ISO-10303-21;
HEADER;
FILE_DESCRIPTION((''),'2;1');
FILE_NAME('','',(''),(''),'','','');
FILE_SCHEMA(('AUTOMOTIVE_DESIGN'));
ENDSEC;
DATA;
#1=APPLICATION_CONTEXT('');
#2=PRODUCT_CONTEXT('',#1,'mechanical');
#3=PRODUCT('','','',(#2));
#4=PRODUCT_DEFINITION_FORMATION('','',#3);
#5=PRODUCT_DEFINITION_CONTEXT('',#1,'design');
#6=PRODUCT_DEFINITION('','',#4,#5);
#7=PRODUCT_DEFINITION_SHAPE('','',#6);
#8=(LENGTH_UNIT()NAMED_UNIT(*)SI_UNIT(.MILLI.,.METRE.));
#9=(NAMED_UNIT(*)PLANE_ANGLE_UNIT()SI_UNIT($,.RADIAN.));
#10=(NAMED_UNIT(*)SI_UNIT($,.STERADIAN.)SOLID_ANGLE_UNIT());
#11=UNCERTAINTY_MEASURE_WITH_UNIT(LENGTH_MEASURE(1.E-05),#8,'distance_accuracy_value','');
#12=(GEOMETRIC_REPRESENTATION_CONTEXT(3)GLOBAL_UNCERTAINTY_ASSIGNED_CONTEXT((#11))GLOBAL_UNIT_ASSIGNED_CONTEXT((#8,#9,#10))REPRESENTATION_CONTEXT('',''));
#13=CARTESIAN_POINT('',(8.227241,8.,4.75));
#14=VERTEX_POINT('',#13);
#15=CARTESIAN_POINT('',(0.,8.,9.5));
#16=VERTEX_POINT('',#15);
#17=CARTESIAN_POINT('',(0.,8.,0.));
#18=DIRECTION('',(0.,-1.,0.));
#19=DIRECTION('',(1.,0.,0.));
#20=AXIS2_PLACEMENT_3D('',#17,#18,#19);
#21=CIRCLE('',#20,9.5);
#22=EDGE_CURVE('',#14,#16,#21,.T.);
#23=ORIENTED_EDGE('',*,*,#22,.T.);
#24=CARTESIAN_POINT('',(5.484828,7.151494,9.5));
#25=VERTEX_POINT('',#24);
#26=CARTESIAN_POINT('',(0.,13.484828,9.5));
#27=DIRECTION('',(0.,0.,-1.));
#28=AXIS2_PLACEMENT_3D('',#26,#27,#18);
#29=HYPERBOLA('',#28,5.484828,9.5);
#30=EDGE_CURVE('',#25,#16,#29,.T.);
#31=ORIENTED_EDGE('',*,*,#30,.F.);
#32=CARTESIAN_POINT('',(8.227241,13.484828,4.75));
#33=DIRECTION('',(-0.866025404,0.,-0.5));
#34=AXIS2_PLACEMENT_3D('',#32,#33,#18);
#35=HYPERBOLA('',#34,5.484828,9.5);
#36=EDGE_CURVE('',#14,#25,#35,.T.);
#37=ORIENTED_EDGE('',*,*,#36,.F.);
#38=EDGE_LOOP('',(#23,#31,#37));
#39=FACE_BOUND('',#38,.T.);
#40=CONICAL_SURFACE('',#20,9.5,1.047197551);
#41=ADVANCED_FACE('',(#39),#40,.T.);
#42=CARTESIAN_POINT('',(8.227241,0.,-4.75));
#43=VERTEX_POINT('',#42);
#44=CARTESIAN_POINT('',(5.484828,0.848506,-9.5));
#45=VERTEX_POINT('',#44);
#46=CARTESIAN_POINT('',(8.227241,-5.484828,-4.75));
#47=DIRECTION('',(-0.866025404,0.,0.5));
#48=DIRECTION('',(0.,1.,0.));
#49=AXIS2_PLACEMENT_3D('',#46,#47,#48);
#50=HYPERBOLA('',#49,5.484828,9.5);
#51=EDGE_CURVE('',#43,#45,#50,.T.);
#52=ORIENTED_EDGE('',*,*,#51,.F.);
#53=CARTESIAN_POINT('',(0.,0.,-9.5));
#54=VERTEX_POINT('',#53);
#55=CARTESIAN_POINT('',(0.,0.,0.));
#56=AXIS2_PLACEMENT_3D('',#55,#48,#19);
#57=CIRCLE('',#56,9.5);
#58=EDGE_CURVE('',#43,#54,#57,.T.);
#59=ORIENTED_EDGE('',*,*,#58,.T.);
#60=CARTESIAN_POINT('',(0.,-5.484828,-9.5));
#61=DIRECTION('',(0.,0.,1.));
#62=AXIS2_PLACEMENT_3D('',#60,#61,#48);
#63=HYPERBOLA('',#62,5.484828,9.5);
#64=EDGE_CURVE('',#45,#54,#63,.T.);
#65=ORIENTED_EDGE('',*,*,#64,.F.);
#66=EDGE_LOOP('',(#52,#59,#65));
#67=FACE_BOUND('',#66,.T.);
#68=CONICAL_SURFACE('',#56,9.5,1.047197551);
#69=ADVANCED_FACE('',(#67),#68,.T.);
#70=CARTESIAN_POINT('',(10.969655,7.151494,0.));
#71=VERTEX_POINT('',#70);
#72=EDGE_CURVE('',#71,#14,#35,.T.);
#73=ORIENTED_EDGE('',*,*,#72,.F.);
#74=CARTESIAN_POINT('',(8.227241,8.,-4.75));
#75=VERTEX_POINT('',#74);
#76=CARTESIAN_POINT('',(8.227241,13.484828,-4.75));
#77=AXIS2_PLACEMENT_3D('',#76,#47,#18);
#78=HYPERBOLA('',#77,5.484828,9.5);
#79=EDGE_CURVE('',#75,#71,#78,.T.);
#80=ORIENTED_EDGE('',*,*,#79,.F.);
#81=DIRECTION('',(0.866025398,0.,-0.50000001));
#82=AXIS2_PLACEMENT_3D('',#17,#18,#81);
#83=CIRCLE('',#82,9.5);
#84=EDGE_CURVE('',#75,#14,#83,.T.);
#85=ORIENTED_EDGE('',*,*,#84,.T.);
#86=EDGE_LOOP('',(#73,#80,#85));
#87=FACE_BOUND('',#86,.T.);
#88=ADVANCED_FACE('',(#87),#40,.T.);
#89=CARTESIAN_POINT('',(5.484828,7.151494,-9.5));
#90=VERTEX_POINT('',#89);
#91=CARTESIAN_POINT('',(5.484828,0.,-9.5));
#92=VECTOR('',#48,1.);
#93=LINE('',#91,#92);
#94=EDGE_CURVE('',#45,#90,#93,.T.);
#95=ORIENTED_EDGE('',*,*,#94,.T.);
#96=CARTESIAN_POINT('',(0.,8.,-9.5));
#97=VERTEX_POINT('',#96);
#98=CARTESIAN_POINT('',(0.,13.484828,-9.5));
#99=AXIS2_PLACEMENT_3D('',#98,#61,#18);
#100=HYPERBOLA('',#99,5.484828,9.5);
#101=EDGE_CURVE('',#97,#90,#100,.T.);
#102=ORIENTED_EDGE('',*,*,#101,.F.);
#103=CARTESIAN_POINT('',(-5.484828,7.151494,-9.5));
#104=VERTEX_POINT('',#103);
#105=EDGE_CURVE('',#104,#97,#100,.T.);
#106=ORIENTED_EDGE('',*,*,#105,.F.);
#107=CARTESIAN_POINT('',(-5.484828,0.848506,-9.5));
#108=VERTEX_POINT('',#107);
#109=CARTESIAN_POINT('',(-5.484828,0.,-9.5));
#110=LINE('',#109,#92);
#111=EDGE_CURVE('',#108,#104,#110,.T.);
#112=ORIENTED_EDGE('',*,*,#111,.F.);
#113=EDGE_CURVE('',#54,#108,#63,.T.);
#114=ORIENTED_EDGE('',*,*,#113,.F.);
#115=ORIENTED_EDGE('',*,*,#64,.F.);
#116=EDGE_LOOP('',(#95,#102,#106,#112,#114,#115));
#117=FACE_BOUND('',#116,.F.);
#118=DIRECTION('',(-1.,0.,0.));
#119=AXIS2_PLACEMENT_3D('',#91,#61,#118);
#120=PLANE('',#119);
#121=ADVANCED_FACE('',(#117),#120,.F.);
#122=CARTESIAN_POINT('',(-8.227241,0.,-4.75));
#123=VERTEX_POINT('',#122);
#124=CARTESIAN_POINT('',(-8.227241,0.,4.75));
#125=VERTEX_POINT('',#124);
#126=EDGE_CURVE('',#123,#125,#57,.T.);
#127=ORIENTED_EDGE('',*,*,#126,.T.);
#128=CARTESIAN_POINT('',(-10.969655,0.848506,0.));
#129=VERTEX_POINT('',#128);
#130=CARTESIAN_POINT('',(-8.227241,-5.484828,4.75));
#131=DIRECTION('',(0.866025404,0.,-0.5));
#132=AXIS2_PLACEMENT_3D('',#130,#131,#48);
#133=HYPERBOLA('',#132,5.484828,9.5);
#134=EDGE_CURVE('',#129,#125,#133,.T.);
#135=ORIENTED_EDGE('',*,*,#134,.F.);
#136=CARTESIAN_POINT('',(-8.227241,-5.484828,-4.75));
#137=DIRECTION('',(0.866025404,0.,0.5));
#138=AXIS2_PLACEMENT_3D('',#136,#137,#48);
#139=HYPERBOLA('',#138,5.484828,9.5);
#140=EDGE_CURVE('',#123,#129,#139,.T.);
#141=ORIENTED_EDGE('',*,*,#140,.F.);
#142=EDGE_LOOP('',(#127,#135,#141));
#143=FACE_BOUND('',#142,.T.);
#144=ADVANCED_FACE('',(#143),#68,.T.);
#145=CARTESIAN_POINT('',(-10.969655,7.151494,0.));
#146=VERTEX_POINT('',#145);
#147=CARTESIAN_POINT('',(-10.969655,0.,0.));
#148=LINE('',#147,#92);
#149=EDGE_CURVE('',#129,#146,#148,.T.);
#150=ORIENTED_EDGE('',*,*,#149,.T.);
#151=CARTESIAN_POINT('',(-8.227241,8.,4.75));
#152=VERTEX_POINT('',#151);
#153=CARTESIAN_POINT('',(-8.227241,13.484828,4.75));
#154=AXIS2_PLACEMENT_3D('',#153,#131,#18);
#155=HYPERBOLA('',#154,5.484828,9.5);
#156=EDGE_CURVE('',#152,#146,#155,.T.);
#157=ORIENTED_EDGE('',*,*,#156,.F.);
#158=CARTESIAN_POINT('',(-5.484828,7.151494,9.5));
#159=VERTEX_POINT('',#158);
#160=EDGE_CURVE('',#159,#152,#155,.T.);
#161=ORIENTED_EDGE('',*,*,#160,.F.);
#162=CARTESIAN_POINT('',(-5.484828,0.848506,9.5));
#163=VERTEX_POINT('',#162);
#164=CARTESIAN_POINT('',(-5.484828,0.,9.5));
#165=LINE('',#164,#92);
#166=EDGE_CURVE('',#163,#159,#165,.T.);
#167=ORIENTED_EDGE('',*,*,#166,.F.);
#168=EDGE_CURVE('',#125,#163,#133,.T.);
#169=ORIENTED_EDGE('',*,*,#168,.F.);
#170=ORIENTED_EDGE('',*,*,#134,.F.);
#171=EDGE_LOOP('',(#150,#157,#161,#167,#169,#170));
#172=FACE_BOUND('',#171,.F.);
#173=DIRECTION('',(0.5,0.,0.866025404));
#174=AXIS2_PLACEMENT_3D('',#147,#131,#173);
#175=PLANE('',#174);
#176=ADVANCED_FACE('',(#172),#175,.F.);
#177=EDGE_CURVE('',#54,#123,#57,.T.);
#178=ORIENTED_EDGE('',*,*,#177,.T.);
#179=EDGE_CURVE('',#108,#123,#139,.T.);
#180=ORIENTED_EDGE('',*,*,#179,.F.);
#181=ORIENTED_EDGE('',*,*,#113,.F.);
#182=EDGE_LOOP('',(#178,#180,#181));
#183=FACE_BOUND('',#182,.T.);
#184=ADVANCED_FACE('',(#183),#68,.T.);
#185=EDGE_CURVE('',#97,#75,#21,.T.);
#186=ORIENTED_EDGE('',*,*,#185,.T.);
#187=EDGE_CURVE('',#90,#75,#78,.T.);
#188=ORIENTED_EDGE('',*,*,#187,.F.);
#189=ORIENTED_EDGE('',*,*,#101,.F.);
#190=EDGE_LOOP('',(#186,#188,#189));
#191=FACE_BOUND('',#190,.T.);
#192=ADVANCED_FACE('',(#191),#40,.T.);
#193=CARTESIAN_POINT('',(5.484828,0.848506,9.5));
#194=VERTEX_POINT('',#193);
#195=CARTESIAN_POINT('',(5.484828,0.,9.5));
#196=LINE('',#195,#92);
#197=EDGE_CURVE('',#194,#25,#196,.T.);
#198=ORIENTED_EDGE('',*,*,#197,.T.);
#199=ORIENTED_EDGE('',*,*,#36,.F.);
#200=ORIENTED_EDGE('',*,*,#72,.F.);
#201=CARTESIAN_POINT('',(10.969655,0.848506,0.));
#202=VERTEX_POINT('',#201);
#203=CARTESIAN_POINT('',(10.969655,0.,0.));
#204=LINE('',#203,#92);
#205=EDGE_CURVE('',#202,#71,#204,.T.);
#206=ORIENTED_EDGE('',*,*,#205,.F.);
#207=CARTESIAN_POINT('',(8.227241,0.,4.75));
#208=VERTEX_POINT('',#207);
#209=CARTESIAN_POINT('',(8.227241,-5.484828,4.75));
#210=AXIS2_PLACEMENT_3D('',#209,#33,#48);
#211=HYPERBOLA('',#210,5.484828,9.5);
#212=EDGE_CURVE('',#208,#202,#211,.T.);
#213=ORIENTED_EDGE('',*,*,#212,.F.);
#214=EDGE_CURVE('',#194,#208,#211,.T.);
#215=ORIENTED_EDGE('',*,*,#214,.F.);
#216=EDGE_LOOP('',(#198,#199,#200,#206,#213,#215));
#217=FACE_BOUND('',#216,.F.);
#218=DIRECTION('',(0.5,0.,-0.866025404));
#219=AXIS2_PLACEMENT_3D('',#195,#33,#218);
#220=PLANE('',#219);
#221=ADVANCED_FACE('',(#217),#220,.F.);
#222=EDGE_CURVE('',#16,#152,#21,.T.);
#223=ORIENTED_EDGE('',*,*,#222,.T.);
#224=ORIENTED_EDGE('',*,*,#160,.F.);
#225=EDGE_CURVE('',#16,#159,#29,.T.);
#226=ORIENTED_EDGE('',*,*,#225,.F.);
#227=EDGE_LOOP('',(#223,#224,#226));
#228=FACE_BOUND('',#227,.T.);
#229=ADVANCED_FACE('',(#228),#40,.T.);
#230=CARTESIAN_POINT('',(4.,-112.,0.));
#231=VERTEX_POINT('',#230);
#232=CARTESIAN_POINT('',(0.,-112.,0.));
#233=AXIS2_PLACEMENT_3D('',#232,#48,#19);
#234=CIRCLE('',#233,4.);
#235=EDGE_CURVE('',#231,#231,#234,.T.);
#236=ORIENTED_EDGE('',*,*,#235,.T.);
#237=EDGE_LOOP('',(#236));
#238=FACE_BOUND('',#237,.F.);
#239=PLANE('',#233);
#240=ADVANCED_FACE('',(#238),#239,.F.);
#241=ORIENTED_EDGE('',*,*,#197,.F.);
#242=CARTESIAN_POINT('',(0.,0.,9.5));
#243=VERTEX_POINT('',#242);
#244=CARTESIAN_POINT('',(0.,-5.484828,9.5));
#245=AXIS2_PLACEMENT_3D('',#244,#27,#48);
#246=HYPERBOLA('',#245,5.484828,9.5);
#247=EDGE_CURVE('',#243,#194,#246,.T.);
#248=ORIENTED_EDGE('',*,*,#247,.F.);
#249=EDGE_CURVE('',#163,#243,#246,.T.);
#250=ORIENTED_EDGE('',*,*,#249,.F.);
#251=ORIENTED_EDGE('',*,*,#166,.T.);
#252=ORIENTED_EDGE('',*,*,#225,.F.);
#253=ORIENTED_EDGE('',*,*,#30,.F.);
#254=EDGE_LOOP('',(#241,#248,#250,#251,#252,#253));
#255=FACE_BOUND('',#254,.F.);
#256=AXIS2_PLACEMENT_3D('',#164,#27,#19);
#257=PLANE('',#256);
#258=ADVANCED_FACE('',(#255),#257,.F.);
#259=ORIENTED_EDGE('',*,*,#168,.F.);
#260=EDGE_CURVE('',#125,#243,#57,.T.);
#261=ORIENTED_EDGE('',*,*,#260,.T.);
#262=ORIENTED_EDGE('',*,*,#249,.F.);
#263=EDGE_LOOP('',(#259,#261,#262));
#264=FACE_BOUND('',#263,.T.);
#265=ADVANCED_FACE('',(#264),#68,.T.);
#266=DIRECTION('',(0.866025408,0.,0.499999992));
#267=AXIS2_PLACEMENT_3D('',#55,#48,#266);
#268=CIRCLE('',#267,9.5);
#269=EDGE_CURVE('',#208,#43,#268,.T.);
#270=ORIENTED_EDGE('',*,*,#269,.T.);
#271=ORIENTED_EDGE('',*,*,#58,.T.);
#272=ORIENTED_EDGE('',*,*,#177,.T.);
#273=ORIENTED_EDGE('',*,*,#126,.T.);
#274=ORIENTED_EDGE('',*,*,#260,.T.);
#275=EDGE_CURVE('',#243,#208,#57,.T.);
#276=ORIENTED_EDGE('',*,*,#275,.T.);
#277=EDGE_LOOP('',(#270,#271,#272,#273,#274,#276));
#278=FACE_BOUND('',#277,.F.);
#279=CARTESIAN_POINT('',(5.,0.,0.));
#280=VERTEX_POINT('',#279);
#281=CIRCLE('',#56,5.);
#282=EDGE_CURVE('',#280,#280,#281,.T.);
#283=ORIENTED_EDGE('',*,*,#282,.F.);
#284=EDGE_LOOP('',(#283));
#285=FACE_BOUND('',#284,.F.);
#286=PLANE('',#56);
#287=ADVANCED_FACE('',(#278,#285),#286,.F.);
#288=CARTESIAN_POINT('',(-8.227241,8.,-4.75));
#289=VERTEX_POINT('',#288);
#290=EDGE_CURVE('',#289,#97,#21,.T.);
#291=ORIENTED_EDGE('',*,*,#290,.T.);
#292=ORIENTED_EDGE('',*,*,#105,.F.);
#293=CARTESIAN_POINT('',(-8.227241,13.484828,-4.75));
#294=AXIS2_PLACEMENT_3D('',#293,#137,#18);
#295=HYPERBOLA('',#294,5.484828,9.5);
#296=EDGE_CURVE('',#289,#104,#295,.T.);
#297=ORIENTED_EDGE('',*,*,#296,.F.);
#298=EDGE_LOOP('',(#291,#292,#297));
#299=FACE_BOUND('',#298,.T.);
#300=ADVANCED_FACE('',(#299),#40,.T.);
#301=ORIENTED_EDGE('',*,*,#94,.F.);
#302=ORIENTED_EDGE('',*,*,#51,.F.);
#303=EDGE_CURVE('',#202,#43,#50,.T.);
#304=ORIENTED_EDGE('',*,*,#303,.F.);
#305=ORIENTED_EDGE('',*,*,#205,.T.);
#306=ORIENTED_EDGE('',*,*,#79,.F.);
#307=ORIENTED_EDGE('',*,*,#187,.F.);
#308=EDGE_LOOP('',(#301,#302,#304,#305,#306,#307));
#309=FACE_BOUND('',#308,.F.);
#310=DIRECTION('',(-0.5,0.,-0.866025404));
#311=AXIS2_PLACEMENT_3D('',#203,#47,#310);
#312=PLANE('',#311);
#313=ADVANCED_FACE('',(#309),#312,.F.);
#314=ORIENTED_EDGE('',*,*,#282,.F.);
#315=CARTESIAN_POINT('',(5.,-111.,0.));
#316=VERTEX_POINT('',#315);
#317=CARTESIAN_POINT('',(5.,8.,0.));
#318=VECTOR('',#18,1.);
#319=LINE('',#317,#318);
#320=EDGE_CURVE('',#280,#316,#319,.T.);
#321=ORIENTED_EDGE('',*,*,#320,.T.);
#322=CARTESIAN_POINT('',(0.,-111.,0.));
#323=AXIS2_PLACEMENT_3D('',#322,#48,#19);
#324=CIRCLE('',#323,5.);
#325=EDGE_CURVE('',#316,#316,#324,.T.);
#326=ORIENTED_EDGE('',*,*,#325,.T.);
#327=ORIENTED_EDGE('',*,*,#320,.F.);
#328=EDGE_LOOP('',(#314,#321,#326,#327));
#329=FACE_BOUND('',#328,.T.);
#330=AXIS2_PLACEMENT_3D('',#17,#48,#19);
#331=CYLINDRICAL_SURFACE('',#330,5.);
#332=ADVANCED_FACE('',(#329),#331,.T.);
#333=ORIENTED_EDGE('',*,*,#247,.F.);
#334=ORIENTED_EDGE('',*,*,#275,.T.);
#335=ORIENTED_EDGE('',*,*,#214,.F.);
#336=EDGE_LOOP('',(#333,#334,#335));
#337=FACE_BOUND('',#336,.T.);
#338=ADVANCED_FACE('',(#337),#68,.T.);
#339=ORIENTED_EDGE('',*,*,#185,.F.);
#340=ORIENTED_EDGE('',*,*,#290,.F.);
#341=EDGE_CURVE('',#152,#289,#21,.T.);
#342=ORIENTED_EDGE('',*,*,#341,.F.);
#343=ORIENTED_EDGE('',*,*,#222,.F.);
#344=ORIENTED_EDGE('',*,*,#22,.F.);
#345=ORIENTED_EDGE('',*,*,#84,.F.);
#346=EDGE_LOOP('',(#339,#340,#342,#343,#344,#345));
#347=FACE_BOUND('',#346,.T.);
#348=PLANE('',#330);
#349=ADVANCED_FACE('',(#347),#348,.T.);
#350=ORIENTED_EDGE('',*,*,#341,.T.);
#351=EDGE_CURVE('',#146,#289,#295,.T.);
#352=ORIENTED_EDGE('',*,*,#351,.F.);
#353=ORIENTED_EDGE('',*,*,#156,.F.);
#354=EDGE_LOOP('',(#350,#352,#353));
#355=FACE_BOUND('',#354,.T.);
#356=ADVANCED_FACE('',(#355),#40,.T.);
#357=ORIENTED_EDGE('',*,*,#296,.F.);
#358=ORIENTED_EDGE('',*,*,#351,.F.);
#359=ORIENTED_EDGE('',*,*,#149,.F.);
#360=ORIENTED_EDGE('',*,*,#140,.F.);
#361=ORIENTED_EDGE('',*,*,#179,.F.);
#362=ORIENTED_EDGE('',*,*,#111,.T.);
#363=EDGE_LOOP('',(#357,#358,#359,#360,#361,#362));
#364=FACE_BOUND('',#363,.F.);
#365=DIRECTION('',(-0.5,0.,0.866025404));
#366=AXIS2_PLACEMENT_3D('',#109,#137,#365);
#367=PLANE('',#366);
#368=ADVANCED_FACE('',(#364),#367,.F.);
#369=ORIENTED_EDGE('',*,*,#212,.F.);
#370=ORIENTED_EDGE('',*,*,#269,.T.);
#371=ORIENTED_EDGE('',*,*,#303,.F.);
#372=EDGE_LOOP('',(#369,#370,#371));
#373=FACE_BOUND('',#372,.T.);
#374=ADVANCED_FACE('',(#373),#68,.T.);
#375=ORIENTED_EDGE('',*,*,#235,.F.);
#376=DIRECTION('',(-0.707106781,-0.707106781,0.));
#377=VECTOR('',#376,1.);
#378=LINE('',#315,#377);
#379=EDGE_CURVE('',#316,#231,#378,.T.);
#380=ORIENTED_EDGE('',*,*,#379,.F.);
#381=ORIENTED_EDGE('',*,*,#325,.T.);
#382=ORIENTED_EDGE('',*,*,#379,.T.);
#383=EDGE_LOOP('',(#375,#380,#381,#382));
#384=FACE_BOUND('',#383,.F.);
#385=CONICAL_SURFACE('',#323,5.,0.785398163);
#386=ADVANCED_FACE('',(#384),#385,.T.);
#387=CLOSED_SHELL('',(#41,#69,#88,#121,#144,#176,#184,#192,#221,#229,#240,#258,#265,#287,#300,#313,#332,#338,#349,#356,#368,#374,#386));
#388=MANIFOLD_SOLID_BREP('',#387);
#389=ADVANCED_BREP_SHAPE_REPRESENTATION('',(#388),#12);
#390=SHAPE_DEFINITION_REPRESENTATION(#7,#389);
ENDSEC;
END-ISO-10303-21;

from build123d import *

# Parameters (mm, degrees)
SALIENTE_EXTRUIR1_DEPTH = 8
CROQUIS2_R              = 4.25
CORTAR_EXTRUIR1_DEPTH   = 9
CROQUIS3_OUTSIDE_W      = 57.674
CROQUIS3_OUTSIDE_H      = 54.734
CROQUIS3_OUTSIDE_R      = 9.5
CORTAR_EXTRUIR2_DEPTH   = 8
CORTAR_EXTRUIR2_TAPER   = 60
CROQUIS4_OUTSIDE_W      = 57.674
CROQUIS4_OUTSIDE_H      = 54.734
CROQUIS4_OUTSIDE_R      = 9.5
CORTAR_EXTRUIR3_DEPTH   = 8
CORTAR_EXTRUIR3_TAPER   = 60
CROQUIS5_R              = 5
SALIENTE_EXTRUIR3_DEPTH = 120
CHAFL_N2_SIZE           = 1


with BuildPart() as part:
    # Croquis1 → Saliente-Extruir1 (new body)
    with BuildSketch(Plane(origin=(0, 0, 0), x_dir=(1, 0, 0), z_dir=(0, 1, 0))):
        Polygon((10.969655115, 0), (5.484827557, 9.5), (-5.484827557, 9.5), (-10.969655115, 0), (-5.484827557, -9.5), (5.484827557, -9.5), align=None)
    extrude(amount=SALIENTE_EXTRUIR1_DEPTH)

    # Croquis2 → Cortar-Extruir1 (cut, through all)
    with BuildSketch(Plane(origin=(0, 8, 0), x_dir=(1, 0, 0), z_dir=(0, 1, 0))):
        Circle(CROQUIS2_R)
    extrude(amount=-CORTAR_EXTRUIR1_DEPTH, mode=Mode.SUBTRACT)

    # Croquis3 outside → Cortar-Extruir2 (cut)
    with BuildSketch(Plane(origin=(0, 8, 0), x_dir=(1, 0, 0), z_dir=(0, 1, 0))):
        Rectangle(CROQUIS3_OUTSIDE_W, CROQUIS3_OUTSIDE_H)
        Circle(CROQUIS3_OUTSIDE_R, mode=Mode.SUBTRACT)
    extrude(amount=-CORTAR_EXTRUIR2_DEPTH, taper=CORTAR_EXTRUIR2_TAPER, mode=Mode.SUBTRACT)

    # Croquis4 outside → Cortar-Extruir3 (cut)
    with BuildSketch(Plane.XZ):
        Rectangle(CROQUIS4_OUTSIDE_W, CROQUIS4_OUTSIDE_H)
        Circle(CROQUIS4_OUTSIDE_R, mode=Mode.SUBTRACT)
    extrude(amount=-CORTAR_EXTRUIR3_DEPTH, taper=CORTAR_EXTRUIR3_TAPER, mode=Mode.SUBTRACT)

    # Croquis5 → Saliente-Extruir3 (add)
    with BuildSketch(Plane(origin=(0, 8, 0), x_dir=(1, 0, 0), z_dir=(0, 1, 0))):
        Circle(CROQUIS5_R)
    extrude(amount=-SALIENTE_EXTRUIR3_DEPTH)

    # Chaflán2
    chafl_n2_edges = [part.edges().sort_by_distance(p)[0] for p in [
        (-5, -112, 0),
    ]]
    chamfer(chafl_n2_edges, length=CHAFL_N2_SIZE)


solid = part.part
